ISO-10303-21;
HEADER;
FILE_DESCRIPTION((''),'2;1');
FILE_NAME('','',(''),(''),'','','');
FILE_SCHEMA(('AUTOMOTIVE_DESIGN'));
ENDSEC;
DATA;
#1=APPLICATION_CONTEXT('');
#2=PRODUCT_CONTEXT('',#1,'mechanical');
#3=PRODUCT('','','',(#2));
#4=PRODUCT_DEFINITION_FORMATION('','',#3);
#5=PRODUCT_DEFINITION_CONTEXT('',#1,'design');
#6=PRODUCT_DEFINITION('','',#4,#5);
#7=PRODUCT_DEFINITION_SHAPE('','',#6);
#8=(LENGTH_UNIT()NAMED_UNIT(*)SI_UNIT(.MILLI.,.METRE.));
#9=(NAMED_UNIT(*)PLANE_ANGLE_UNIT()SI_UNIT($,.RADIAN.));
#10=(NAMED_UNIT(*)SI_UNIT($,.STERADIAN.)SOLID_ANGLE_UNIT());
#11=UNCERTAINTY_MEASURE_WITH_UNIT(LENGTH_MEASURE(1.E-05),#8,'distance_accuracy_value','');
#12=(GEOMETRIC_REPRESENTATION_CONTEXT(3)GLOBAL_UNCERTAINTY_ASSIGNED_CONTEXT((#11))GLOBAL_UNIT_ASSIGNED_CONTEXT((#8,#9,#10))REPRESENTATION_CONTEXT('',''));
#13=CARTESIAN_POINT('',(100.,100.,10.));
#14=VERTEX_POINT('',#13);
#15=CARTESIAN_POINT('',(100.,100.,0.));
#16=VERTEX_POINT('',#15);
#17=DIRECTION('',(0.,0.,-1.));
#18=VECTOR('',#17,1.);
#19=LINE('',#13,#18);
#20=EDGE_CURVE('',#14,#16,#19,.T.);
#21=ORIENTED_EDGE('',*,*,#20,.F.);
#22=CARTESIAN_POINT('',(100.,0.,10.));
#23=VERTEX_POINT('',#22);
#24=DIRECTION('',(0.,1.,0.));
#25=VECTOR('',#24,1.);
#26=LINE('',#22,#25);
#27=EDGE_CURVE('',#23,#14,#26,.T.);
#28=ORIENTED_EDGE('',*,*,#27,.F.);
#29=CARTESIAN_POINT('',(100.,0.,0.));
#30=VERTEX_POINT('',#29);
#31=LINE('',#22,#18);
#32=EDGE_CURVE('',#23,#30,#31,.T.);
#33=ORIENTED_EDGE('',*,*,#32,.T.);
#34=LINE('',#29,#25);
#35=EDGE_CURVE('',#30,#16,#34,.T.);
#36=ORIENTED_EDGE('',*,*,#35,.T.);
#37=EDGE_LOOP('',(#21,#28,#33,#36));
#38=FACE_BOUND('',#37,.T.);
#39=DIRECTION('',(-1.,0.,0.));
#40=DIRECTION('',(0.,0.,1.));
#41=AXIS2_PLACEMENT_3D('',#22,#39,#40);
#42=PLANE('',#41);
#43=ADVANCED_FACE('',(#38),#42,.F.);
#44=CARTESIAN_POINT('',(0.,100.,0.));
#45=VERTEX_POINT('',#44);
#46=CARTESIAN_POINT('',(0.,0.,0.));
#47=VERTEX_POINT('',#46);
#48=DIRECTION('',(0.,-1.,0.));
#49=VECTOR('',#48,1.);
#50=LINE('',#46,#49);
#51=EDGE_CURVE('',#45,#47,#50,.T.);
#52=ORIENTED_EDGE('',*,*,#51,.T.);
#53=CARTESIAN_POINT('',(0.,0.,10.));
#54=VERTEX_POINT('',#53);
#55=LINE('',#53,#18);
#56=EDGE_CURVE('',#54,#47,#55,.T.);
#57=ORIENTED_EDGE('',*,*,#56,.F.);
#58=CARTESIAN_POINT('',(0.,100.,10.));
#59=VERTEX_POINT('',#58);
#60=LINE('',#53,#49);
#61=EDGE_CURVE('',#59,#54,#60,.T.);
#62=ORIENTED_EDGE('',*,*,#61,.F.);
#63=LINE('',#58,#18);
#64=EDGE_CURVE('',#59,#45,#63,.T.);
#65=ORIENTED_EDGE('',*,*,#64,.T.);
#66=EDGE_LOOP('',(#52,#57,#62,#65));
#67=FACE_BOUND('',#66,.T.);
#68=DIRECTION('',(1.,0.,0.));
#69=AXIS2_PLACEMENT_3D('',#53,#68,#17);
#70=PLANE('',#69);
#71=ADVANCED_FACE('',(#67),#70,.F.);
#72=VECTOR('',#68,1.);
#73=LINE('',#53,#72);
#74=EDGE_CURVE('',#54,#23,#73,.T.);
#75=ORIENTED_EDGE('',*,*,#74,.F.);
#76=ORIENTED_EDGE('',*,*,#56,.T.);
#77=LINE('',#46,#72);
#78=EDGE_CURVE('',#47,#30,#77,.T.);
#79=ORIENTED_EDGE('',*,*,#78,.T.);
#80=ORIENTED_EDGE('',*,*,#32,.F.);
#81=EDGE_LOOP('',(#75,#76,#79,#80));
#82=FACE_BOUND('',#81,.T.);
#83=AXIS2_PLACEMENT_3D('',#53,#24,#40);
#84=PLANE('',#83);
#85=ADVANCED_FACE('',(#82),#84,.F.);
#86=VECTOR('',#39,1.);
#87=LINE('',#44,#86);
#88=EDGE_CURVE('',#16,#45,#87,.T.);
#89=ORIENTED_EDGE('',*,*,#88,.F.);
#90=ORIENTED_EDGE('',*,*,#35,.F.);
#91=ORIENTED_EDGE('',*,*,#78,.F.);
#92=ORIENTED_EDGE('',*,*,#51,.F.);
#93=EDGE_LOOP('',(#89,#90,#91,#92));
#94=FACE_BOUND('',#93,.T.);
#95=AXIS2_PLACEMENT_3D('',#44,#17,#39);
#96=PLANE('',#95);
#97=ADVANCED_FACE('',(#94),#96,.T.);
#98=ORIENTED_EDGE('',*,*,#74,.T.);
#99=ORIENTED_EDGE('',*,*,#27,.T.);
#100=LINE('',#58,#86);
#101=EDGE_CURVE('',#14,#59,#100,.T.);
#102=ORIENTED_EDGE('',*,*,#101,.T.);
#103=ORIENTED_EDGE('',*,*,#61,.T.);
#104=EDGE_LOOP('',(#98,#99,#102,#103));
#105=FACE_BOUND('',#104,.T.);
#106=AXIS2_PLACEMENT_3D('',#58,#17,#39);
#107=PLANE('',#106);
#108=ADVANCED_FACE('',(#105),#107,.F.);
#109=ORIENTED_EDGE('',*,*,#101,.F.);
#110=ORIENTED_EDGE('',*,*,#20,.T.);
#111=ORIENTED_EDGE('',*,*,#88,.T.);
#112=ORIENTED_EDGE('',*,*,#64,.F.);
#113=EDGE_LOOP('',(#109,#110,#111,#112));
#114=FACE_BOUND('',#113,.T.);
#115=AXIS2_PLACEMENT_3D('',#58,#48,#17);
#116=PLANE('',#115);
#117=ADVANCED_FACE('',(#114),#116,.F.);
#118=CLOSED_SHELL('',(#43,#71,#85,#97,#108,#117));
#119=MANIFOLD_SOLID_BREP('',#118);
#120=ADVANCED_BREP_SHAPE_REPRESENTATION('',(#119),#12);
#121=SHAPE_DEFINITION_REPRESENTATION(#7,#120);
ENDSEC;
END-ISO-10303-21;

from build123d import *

# Parameters (mm, degrees)
ESQUISSE1_W        = 100
ESQUISSE1_H        = 100
BOSS_EXTRU_1_DEPTH = 10


with BuildPart() as part:
    # Esquisse1 → Boss.-Extru.1 (new body)
    with BuildSketch(Plane.XY):
        with Locations((50, 50)):
            Rectangle(ESQUISSE1_W, ESQUISSE1_H)
    extrude(amount=BOSS_EXTRU_1_DEPTH)


solid = part.part
